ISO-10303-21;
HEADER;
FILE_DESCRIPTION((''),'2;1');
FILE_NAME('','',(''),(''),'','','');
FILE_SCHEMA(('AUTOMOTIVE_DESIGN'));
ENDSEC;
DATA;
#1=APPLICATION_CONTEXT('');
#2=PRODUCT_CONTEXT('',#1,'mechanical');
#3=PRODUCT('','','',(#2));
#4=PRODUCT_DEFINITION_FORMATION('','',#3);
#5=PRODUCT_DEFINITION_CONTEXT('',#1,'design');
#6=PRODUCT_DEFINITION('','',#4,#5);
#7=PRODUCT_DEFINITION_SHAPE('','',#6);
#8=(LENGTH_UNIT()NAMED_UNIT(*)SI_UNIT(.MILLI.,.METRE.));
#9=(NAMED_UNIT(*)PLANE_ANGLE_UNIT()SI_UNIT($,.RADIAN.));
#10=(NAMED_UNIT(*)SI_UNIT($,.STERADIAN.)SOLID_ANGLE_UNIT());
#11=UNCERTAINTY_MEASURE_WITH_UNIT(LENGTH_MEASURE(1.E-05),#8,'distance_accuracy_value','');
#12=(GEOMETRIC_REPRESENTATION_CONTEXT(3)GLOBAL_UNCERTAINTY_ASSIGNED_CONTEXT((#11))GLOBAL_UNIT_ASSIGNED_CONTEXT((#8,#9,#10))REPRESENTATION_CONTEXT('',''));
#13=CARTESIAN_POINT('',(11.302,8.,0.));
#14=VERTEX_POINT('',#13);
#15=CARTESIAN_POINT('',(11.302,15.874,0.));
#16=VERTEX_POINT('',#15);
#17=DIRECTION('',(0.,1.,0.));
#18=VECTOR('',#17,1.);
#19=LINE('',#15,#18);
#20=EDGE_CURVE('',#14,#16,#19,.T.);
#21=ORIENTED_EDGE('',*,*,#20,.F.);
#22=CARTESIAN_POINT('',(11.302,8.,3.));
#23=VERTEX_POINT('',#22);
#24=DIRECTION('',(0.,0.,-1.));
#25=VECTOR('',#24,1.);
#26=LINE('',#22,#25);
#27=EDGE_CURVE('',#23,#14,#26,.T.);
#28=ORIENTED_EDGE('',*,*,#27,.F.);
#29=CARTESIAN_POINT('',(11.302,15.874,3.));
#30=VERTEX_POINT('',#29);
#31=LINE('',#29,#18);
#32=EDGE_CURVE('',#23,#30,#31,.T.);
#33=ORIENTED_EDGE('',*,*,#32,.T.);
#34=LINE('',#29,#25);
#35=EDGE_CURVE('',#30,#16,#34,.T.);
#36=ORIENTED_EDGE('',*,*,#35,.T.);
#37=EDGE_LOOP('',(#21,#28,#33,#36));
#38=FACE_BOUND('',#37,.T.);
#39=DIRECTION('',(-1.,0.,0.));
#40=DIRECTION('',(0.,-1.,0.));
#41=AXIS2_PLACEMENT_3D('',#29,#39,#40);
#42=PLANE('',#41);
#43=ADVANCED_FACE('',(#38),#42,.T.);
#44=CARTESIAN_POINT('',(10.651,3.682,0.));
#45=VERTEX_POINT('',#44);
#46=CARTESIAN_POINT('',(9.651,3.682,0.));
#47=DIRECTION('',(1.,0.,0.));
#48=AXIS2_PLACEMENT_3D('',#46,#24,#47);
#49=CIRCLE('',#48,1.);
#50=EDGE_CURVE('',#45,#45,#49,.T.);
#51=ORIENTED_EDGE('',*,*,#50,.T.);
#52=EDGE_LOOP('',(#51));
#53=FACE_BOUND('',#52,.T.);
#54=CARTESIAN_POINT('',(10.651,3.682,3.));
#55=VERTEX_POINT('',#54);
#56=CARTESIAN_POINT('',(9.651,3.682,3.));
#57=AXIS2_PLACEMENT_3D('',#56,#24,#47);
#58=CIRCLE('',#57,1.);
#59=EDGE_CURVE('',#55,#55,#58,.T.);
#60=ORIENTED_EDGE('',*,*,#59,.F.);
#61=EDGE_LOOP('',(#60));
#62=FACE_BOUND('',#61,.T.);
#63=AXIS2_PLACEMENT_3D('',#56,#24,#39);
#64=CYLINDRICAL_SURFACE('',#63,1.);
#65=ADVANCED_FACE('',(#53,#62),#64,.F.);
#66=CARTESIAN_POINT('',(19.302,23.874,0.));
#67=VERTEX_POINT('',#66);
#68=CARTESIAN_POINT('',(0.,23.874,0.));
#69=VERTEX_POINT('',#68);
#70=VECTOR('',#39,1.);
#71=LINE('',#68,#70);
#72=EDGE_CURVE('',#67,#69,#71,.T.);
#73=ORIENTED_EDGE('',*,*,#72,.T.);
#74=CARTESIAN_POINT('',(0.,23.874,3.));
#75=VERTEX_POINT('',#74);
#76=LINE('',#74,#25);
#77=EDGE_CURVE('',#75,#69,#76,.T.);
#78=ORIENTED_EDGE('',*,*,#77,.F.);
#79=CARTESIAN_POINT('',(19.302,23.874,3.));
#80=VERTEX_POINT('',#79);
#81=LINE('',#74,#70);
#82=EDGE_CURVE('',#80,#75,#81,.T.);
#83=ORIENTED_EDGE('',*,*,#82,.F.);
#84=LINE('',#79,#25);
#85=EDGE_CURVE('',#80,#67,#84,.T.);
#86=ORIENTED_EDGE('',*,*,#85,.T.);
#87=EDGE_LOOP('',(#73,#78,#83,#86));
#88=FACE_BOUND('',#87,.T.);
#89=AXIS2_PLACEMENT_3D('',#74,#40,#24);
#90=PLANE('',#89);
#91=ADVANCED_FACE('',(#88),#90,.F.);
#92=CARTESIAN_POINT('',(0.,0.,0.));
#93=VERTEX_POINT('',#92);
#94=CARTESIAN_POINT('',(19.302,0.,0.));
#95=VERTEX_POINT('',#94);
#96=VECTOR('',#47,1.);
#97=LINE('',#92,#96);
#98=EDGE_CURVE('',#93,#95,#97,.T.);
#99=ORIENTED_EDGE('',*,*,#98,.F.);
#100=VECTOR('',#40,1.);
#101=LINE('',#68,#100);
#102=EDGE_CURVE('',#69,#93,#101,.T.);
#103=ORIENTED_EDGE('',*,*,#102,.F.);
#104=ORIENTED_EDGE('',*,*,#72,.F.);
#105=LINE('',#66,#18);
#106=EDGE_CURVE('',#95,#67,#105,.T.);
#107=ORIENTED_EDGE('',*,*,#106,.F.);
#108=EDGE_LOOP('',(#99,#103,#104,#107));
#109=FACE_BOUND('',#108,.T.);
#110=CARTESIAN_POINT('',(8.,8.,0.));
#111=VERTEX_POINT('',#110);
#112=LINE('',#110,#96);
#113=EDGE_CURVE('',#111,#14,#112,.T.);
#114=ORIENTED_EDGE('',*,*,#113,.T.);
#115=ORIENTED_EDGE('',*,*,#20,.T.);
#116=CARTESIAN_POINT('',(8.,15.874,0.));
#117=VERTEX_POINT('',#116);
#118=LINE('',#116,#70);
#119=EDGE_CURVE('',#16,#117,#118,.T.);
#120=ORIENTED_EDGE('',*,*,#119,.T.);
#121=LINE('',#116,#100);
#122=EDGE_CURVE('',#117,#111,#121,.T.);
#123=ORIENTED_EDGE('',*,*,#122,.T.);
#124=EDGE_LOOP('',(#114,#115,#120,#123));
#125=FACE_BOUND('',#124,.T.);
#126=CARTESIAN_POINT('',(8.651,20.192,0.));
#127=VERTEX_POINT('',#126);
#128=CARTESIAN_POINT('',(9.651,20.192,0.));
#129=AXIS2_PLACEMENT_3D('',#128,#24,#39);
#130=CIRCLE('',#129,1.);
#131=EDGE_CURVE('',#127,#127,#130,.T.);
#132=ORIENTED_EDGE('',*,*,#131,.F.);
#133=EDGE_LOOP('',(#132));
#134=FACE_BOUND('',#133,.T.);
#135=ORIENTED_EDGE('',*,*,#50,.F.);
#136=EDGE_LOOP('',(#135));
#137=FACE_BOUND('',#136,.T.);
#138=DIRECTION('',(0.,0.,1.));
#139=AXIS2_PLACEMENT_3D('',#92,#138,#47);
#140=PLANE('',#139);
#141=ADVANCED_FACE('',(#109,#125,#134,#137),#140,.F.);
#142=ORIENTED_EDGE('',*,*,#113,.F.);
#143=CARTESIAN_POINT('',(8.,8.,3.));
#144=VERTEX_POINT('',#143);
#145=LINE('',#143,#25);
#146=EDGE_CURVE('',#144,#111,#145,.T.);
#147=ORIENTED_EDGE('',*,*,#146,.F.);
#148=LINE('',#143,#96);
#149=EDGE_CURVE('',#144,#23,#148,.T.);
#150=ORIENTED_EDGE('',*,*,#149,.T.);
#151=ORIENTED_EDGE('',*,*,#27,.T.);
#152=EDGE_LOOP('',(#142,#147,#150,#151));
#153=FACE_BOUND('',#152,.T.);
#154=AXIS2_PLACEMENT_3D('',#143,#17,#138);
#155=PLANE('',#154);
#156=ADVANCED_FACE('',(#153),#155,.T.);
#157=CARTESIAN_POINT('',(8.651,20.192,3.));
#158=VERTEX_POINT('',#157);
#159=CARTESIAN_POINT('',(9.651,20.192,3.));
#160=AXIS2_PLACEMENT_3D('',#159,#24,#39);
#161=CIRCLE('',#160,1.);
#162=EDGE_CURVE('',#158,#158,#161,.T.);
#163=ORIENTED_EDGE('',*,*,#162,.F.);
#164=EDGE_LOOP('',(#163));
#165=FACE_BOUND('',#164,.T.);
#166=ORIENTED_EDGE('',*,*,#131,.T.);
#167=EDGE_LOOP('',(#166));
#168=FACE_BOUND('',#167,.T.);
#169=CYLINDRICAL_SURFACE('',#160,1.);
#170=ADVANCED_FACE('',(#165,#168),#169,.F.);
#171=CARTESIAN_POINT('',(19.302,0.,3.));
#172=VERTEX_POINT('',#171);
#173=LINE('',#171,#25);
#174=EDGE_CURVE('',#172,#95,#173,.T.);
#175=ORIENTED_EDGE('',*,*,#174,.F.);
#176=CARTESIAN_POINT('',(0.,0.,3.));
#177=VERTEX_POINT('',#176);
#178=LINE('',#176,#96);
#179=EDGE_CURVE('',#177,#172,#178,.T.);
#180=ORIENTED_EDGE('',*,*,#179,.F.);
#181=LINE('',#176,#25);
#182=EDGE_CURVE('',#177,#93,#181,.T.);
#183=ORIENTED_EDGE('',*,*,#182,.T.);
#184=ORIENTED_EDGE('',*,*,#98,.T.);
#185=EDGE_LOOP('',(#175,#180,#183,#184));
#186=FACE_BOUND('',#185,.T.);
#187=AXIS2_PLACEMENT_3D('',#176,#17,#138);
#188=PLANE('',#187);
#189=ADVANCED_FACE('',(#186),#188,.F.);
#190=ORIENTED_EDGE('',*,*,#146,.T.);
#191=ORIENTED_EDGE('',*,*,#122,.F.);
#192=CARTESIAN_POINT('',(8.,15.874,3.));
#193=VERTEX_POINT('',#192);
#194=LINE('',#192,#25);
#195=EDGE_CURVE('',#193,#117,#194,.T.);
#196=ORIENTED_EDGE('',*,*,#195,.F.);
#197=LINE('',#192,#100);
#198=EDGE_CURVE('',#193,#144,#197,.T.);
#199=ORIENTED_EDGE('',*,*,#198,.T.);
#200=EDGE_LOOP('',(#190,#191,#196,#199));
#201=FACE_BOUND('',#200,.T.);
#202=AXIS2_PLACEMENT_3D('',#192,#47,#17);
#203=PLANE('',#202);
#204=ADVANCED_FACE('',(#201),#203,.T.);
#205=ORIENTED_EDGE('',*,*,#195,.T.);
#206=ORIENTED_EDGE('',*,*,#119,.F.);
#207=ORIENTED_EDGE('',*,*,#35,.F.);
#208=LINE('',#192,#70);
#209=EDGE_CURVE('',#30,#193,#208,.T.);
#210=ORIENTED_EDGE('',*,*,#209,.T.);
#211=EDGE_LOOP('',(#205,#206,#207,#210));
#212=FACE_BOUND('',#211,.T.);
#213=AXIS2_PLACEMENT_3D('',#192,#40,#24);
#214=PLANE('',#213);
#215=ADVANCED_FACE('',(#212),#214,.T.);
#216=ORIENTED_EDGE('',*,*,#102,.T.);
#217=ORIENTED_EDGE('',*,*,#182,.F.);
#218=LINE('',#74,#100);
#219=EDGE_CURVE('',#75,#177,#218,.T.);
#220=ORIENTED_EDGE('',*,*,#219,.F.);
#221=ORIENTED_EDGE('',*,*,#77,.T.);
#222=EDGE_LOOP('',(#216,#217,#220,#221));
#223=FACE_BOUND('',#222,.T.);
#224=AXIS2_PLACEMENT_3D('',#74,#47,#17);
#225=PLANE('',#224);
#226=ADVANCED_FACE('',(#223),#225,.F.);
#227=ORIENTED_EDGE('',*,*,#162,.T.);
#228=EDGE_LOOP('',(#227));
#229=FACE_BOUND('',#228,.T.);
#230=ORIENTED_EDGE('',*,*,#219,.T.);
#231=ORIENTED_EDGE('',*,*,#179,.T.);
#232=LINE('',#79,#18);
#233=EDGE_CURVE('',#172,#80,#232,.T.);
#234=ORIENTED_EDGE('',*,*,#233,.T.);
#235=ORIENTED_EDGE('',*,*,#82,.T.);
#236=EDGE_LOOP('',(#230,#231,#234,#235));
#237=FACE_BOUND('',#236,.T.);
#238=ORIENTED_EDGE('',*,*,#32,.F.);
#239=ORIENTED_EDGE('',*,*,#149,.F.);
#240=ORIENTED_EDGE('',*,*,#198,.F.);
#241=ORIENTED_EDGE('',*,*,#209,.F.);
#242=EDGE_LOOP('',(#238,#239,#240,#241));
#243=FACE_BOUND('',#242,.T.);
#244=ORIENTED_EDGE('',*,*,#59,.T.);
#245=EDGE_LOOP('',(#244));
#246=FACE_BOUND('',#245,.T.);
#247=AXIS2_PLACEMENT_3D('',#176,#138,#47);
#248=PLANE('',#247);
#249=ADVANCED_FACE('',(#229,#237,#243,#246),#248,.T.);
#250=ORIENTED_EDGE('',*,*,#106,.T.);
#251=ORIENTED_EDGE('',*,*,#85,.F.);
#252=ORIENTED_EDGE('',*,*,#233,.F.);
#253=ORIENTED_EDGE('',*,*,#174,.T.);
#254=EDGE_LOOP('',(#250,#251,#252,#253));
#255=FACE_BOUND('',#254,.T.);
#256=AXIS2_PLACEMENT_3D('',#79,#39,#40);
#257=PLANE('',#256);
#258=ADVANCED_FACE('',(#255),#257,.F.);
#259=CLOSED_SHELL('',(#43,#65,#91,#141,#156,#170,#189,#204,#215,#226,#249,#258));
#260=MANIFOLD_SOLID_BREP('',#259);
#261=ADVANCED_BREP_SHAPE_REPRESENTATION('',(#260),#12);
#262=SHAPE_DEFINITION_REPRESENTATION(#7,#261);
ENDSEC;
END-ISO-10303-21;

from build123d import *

# Parameters (mm, degrees)
SKETCH1_W           = 19.302
SKETCH1_H           = 23.874
SKETCH1_W_2         = 3.302
SKETCH1_H_2         = 7.874
BOSS_EXTRUDE1_DEPTH = 3
SKETCH3_R           = 1
CUT_EXTRUDE1_DEPTH  = 4


with BuildPart() as part:
    # Sketch1 → Boss-Extrude1 (new body)
    with BuildSketch(Plane.XY):
        with Locations((9.651, 11.937)):
            Rectangle(SKETCH1_W, SKETCH1_H)
        with Locations((9.651, 11.937)):
            Rectangle(SKETCH1_W_2, SKETCH1_H_2, mode=Mode.SUBTRACT)
    extrude(amount=BOSS_EXTRUDE1_DEPTH)

    # Sketch3 → Cut-Extrude1 (cut, through all)
    with BuildSketch(Plane(origin=(0, 0, 0), x_dir=(-1, 0, 0), z_dir=(0, 0, -1))):
        with Locations((-9.651, 20.192)):
            Circle(SKETCH3_R)
        with Locations((-9.651, 3.682)):
            Circle(SKETCH3_R)
    extrude(amount=-CUT_EXTRUDE1_DEPTH, mode=Mode.SUBTRACT)


solid = part.part
